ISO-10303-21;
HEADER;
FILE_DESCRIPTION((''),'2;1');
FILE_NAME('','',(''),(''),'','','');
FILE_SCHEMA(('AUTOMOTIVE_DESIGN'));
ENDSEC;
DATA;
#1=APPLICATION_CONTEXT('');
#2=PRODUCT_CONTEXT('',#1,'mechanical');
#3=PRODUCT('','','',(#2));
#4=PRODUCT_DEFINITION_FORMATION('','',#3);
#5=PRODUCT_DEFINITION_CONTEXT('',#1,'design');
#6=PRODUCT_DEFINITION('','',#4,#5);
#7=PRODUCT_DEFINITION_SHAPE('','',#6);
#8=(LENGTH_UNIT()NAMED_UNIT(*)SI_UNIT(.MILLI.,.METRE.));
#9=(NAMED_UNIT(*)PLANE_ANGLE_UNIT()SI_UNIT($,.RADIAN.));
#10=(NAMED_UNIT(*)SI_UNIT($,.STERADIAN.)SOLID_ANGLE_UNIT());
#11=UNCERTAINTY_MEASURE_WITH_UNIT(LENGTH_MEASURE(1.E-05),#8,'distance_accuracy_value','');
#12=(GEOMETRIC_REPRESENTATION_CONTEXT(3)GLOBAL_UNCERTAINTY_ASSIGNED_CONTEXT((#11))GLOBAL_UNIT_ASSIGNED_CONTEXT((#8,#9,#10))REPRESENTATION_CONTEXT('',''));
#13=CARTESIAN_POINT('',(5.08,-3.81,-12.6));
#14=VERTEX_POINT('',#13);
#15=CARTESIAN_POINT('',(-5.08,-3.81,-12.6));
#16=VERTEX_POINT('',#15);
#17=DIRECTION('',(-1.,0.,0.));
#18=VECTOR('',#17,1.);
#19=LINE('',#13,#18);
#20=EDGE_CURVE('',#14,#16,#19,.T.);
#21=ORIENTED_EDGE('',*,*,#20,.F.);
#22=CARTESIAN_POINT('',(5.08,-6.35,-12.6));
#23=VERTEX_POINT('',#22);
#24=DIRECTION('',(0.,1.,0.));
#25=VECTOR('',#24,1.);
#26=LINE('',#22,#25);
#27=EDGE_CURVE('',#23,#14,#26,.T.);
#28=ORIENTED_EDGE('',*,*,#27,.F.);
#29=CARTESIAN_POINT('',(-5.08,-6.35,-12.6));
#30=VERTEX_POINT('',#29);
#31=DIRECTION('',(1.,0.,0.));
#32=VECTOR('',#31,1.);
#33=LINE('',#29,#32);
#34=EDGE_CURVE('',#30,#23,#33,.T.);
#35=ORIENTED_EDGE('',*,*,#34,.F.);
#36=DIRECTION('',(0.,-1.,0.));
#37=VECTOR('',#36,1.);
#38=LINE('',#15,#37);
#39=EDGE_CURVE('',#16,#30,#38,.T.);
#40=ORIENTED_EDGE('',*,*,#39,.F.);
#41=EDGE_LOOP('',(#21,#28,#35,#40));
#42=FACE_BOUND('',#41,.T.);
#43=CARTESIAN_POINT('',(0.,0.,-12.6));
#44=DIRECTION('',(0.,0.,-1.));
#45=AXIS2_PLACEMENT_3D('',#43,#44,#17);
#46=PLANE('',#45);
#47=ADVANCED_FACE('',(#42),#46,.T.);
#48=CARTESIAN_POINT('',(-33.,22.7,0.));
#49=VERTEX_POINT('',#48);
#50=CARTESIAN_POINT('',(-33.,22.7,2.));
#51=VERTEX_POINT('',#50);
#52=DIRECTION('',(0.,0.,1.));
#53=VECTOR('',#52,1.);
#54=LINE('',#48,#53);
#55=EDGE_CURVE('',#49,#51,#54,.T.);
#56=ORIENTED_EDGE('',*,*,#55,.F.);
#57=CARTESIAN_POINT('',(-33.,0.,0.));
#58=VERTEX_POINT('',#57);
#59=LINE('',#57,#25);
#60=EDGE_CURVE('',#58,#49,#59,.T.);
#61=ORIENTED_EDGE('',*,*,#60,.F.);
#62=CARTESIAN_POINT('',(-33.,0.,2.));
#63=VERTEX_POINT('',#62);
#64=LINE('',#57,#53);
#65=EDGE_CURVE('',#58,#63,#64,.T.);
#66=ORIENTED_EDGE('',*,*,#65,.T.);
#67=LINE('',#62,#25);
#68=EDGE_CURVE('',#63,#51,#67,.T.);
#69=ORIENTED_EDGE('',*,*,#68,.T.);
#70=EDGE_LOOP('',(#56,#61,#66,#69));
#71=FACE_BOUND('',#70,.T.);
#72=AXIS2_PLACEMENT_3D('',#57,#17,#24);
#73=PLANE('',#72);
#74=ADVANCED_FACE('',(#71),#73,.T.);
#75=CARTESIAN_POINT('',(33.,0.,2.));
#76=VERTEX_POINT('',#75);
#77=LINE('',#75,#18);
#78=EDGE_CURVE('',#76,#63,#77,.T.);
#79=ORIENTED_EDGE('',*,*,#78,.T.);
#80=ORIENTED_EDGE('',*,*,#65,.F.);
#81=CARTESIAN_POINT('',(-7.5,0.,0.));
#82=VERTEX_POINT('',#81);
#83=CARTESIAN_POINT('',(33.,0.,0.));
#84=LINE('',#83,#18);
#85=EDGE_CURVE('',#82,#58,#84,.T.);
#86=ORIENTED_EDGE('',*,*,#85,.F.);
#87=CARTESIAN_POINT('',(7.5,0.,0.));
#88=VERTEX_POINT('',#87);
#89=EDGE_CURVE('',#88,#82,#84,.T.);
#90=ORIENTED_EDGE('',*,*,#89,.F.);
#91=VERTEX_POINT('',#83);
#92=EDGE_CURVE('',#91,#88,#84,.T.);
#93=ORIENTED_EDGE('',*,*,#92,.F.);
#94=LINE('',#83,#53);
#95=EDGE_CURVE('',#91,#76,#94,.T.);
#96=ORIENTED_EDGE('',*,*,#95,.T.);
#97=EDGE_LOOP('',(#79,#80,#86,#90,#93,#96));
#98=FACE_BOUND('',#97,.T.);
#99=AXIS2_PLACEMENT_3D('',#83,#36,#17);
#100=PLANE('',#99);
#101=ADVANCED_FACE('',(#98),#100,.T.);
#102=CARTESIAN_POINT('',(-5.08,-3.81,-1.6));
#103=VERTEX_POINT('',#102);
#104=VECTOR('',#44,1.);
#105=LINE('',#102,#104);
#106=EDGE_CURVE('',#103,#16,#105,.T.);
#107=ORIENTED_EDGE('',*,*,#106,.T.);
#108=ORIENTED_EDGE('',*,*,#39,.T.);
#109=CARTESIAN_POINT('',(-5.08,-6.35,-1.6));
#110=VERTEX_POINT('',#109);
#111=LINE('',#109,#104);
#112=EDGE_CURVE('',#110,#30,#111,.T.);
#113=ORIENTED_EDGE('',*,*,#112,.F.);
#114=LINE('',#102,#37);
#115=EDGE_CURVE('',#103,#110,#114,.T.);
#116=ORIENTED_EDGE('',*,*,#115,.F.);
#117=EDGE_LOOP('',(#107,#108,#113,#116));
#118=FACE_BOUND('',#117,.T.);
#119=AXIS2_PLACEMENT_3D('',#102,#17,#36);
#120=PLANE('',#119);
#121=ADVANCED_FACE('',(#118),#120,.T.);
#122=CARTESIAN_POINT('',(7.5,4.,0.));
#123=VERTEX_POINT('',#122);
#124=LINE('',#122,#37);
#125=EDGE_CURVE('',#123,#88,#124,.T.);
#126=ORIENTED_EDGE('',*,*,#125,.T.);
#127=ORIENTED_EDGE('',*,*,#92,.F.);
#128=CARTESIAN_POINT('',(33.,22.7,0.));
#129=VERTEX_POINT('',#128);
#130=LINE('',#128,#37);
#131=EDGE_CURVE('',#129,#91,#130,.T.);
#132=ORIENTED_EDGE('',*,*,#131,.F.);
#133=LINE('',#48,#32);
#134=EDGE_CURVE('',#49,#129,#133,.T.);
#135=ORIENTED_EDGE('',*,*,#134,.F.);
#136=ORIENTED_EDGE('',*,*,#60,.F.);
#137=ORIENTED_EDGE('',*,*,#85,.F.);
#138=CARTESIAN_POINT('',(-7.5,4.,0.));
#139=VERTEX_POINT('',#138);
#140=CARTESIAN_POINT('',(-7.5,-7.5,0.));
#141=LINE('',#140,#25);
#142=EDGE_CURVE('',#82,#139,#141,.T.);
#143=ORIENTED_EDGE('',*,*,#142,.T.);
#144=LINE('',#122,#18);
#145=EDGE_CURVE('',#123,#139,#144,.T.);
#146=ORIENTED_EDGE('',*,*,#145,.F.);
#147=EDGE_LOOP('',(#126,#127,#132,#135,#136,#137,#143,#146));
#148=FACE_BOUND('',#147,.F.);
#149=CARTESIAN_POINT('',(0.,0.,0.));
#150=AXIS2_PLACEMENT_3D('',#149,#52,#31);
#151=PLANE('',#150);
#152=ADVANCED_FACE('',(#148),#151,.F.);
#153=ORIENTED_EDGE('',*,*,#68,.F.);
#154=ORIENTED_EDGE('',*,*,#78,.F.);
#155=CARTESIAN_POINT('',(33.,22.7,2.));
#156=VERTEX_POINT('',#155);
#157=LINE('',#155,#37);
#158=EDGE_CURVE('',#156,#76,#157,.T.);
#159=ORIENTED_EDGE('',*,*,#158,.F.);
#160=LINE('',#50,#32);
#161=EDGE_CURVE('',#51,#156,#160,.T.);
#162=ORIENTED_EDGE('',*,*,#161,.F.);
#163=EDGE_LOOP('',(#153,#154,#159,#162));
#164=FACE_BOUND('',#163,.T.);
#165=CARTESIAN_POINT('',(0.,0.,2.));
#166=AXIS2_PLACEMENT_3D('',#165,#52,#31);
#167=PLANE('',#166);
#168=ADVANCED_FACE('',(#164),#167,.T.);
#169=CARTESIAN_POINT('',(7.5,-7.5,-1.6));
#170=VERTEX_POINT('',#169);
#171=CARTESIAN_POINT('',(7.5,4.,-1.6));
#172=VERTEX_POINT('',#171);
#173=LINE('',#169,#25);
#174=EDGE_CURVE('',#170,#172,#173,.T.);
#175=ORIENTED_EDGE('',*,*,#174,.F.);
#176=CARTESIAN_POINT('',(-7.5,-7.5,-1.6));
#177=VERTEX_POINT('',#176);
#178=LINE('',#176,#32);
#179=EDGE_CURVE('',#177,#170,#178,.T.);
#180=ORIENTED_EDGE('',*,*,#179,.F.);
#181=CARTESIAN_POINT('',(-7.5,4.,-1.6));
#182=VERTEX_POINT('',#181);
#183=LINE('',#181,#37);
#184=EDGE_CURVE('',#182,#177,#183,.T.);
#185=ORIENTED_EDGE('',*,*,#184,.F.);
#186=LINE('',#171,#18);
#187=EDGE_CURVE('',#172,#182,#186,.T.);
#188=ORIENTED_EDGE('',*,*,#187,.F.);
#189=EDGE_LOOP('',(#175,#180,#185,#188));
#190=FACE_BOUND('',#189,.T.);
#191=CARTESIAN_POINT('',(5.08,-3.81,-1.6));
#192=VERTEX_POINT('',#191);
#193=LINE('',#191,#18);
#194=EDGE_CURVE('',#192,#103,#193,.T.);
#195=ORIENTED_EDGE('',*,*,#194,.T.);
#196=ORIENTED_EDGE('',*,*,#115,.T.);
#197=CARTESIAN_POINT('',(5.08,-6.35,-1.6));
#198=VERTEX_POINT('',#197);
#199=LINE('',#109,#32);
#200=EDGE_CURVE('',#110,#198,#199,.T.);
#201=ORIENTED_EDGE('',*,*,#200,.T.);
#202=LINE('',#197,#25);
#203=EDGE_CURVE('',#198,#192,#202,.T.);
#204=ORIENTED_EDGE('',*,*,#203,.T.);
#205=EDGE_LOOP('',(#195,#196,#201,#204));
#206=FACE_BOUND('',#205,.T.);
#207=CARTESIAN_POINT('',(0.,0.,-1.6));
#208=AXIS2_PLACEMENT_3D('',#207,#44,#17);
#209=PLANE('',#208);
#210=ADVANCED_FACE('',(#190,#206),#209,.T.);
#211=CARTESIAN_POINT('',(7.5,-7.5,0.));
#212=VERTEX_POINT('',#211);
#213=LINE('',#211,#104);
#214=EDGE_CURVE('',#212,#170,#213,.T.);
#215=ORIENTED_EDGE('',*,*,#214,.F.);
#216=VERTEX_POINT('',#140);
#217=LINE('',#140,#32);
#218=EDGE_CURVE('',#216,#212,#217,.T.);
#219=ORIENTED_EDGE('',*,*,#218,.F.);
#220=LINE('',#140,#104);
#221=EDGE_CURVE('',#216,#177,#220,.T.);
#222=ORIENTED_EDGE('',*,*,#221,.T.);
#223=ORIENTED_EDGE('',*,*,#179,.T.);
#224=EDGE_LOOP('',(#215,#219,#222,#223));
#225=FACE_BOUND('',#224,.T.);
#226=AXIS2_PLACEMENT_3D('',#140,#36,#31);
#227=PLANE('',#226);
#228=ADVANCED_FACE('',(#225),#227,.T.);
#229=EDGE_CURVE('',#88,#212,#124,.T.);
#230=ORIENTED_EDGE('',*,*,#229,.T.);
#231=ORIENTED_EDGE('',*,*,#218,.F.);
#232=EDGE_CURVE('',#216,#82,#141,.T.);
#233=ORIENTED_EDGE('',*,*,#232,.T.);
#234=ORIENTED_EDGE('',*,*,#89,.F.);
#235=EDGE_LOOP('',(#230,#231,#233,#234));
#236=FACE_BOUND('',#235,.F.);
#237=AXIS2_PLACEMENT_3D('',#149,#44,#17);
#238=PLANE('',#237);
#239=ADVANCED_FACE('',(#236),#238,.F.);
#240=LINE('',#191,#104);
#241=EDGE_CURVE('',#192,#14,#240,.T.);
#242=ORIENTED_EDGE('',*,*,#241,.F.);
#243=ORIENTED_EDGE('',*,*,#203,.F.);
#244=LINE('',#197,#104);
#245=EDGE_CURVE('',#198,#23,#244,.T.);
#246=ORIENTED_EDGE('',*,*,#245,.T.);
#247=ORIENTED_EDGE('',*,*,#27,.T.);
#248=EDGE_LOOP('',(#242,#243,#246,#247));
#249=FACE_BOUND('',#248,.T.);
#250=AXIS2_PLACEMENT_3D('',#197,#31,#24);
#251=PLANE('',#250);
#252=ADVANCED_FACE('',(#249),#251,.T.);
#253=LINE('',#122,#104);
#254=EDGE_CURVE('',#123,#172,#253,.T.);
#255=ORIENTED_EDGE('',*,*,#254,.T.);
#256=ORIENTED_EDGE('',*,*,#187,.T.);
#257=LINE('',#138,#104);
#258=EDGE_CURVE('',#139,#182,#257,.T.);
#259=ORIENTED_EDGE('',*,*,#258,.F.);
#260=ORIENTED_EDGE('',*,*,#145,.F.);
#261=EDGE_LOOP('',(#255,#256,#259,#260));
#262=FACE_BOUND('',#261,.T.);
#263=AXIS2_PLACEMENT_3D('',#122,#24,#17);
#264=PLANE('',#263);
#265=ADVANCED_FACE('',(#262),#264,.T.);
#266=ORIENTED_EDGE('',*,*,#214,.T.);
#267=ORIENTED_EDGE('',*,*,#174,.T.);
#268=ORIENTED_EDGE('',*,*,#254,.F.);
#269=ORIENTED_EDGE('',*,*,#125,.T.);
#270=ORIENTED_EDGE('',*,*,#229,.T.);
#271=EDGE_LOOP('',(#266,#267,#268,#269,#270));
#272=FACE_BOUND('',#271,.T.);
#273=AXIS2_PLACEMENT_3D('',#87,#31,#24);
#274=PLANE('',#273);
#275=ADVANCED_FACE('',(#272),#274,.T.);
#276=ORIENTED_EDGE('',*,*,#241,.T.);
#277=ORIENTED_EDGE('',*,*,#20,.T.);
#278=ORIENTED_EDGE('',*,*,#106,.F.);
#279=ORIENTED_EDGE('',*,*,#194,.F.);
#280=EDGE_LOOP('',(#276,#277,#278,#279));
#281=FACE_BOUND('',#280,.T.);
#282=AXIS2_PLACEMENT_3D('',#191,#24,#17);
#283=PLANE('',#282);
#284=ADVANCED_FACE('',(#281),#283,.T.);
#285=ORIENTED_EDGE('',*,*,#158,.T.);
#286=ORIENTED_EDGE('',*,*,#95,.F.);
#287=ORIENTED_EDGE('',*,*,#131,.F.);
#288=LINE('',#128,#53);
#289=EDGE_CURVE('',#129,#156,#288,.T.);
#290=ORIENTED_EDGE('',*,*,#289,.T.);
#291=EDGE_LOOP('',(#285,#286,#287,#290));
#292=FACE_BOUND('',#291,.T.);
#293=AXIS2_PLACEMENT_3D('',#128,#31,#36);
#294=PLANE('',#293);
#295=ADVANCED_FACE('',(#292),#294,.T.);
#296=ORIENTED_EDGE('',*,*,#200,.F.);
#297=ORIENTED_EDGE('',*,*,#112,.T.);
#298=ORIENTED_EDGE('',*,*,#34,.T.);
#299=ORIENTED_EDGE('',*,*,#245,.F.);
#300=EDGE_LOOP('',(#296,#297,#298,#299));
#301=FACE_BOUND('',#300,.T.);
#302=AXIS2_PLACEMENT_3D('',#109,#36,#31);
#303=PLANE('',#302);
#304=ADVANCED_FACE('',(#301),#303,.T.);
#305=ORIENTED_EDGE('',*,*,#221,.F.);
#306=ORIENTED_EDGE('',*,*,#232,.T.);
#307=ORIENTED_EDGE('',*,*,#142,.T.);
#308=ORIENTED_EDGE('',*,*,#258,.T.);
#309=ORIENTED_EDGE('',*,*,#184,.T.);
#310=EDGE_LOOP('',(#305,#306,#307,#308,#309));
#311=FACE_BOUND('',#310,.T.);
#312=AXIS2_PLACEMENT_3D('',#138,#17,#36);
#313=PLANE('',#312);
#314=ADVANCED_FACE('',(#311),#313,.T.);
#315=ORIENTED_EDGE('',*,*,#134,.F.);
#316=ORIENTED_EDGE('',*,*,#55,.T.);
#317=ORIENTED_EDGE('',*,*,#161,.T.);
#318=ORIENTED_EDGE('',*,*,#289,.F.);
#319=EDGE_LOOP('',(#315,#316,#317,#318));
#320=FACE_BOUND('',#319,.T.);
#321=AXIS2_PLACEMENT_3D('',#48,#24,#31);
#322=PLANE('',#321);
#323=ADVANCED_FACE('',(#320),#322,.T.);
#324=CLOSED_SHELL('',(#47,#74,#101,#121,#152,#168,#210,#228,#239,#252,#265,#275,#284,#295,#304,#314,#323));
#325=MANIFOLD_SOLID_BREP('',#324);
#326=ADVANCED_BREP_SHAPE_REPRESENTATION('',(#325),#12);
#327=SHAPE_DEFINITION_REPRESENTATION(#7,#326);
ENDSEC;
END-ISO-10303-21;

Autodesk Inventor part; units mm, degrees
ref_plane "YZ Plane" through (0, 0, 0) normal (1, 0, 0) x (0, 1, 0)
ref_plane "XZ Plane" through (0, 0, 0) normal (0, 1, 0) x (-1, 0, 0)
ref_plane "XY Plane" through (0, 0, 0) normal (0, 0, 1) x (1, 0, 0)
sketch "スケッチ1" plane through (0, 0, 0) normal (0, 0, 1) x (1, 0, 0)
  line L0 (-33, 22.7) -> (33, 22.7)
  line L1 (33, 22.7) -> (33, 0)
  line L2 (33, 0) -> (-33, 0)
  line L3 (-33, 0) -> (-33, 22.7)
  point P0 (0, 0)
  point P1 (0, 0)
  dimension "d0" = 66
  dimension "d1" = 22.7
extrude "押し出し1" add sketch "スケッチ1" along normal blind 2
sketch "スケッチ3" plane through (0, 0, 0) normal (0, 0, -1) x (-1, 0, 0)
  line L0 (-7.5, 4) -> (7.5, 4)
  line L1 (7.5, 4) -> (7.5, -7.5)
  line L2 (7.5, -7.5) -> (-7.5, -7.5)
  line L3 (-7.5, -7.5) -> (-7.5, 4)
  line L4 (33, 0) -> (-33, 0) projected
  point P0 (0, 0)
  point P1 (0, 4)
  point P2 (0, 0)
  dimension "d4" = 15
  dimension "d5" = 11.5
  dimension "d6" = 4
extrude "押し出し2" add sketch "スケッチ3" along normal blind 1.6
sketch "スケッチ4" plane through (0, 0, -1.6) normal (0, 0, -1) x (-1, 0, 0)
  line L0 (-5.08, -3.81) -> (5.08, -3.81)
  line L1 (5.08, -3.81) -> (5.08, -6.35)
  line L2 (5.08, -6.35) -> (-5.08, -6.35)
  line L3 (-5.08, -6.35) -> (-5.08, -3.81)
  point P0 (0, 0)
  point P1 (0, -3.81)
  point P2 (5.08, -5.08)
  dimension "d9" = 10.16
  dimension "d10" = 2.54
  dimension "d11" = 5.08
extrude "押し出し3" add sketch "スケッチ4" along normal blind 11
properties part number "AE-AQM1602A"
